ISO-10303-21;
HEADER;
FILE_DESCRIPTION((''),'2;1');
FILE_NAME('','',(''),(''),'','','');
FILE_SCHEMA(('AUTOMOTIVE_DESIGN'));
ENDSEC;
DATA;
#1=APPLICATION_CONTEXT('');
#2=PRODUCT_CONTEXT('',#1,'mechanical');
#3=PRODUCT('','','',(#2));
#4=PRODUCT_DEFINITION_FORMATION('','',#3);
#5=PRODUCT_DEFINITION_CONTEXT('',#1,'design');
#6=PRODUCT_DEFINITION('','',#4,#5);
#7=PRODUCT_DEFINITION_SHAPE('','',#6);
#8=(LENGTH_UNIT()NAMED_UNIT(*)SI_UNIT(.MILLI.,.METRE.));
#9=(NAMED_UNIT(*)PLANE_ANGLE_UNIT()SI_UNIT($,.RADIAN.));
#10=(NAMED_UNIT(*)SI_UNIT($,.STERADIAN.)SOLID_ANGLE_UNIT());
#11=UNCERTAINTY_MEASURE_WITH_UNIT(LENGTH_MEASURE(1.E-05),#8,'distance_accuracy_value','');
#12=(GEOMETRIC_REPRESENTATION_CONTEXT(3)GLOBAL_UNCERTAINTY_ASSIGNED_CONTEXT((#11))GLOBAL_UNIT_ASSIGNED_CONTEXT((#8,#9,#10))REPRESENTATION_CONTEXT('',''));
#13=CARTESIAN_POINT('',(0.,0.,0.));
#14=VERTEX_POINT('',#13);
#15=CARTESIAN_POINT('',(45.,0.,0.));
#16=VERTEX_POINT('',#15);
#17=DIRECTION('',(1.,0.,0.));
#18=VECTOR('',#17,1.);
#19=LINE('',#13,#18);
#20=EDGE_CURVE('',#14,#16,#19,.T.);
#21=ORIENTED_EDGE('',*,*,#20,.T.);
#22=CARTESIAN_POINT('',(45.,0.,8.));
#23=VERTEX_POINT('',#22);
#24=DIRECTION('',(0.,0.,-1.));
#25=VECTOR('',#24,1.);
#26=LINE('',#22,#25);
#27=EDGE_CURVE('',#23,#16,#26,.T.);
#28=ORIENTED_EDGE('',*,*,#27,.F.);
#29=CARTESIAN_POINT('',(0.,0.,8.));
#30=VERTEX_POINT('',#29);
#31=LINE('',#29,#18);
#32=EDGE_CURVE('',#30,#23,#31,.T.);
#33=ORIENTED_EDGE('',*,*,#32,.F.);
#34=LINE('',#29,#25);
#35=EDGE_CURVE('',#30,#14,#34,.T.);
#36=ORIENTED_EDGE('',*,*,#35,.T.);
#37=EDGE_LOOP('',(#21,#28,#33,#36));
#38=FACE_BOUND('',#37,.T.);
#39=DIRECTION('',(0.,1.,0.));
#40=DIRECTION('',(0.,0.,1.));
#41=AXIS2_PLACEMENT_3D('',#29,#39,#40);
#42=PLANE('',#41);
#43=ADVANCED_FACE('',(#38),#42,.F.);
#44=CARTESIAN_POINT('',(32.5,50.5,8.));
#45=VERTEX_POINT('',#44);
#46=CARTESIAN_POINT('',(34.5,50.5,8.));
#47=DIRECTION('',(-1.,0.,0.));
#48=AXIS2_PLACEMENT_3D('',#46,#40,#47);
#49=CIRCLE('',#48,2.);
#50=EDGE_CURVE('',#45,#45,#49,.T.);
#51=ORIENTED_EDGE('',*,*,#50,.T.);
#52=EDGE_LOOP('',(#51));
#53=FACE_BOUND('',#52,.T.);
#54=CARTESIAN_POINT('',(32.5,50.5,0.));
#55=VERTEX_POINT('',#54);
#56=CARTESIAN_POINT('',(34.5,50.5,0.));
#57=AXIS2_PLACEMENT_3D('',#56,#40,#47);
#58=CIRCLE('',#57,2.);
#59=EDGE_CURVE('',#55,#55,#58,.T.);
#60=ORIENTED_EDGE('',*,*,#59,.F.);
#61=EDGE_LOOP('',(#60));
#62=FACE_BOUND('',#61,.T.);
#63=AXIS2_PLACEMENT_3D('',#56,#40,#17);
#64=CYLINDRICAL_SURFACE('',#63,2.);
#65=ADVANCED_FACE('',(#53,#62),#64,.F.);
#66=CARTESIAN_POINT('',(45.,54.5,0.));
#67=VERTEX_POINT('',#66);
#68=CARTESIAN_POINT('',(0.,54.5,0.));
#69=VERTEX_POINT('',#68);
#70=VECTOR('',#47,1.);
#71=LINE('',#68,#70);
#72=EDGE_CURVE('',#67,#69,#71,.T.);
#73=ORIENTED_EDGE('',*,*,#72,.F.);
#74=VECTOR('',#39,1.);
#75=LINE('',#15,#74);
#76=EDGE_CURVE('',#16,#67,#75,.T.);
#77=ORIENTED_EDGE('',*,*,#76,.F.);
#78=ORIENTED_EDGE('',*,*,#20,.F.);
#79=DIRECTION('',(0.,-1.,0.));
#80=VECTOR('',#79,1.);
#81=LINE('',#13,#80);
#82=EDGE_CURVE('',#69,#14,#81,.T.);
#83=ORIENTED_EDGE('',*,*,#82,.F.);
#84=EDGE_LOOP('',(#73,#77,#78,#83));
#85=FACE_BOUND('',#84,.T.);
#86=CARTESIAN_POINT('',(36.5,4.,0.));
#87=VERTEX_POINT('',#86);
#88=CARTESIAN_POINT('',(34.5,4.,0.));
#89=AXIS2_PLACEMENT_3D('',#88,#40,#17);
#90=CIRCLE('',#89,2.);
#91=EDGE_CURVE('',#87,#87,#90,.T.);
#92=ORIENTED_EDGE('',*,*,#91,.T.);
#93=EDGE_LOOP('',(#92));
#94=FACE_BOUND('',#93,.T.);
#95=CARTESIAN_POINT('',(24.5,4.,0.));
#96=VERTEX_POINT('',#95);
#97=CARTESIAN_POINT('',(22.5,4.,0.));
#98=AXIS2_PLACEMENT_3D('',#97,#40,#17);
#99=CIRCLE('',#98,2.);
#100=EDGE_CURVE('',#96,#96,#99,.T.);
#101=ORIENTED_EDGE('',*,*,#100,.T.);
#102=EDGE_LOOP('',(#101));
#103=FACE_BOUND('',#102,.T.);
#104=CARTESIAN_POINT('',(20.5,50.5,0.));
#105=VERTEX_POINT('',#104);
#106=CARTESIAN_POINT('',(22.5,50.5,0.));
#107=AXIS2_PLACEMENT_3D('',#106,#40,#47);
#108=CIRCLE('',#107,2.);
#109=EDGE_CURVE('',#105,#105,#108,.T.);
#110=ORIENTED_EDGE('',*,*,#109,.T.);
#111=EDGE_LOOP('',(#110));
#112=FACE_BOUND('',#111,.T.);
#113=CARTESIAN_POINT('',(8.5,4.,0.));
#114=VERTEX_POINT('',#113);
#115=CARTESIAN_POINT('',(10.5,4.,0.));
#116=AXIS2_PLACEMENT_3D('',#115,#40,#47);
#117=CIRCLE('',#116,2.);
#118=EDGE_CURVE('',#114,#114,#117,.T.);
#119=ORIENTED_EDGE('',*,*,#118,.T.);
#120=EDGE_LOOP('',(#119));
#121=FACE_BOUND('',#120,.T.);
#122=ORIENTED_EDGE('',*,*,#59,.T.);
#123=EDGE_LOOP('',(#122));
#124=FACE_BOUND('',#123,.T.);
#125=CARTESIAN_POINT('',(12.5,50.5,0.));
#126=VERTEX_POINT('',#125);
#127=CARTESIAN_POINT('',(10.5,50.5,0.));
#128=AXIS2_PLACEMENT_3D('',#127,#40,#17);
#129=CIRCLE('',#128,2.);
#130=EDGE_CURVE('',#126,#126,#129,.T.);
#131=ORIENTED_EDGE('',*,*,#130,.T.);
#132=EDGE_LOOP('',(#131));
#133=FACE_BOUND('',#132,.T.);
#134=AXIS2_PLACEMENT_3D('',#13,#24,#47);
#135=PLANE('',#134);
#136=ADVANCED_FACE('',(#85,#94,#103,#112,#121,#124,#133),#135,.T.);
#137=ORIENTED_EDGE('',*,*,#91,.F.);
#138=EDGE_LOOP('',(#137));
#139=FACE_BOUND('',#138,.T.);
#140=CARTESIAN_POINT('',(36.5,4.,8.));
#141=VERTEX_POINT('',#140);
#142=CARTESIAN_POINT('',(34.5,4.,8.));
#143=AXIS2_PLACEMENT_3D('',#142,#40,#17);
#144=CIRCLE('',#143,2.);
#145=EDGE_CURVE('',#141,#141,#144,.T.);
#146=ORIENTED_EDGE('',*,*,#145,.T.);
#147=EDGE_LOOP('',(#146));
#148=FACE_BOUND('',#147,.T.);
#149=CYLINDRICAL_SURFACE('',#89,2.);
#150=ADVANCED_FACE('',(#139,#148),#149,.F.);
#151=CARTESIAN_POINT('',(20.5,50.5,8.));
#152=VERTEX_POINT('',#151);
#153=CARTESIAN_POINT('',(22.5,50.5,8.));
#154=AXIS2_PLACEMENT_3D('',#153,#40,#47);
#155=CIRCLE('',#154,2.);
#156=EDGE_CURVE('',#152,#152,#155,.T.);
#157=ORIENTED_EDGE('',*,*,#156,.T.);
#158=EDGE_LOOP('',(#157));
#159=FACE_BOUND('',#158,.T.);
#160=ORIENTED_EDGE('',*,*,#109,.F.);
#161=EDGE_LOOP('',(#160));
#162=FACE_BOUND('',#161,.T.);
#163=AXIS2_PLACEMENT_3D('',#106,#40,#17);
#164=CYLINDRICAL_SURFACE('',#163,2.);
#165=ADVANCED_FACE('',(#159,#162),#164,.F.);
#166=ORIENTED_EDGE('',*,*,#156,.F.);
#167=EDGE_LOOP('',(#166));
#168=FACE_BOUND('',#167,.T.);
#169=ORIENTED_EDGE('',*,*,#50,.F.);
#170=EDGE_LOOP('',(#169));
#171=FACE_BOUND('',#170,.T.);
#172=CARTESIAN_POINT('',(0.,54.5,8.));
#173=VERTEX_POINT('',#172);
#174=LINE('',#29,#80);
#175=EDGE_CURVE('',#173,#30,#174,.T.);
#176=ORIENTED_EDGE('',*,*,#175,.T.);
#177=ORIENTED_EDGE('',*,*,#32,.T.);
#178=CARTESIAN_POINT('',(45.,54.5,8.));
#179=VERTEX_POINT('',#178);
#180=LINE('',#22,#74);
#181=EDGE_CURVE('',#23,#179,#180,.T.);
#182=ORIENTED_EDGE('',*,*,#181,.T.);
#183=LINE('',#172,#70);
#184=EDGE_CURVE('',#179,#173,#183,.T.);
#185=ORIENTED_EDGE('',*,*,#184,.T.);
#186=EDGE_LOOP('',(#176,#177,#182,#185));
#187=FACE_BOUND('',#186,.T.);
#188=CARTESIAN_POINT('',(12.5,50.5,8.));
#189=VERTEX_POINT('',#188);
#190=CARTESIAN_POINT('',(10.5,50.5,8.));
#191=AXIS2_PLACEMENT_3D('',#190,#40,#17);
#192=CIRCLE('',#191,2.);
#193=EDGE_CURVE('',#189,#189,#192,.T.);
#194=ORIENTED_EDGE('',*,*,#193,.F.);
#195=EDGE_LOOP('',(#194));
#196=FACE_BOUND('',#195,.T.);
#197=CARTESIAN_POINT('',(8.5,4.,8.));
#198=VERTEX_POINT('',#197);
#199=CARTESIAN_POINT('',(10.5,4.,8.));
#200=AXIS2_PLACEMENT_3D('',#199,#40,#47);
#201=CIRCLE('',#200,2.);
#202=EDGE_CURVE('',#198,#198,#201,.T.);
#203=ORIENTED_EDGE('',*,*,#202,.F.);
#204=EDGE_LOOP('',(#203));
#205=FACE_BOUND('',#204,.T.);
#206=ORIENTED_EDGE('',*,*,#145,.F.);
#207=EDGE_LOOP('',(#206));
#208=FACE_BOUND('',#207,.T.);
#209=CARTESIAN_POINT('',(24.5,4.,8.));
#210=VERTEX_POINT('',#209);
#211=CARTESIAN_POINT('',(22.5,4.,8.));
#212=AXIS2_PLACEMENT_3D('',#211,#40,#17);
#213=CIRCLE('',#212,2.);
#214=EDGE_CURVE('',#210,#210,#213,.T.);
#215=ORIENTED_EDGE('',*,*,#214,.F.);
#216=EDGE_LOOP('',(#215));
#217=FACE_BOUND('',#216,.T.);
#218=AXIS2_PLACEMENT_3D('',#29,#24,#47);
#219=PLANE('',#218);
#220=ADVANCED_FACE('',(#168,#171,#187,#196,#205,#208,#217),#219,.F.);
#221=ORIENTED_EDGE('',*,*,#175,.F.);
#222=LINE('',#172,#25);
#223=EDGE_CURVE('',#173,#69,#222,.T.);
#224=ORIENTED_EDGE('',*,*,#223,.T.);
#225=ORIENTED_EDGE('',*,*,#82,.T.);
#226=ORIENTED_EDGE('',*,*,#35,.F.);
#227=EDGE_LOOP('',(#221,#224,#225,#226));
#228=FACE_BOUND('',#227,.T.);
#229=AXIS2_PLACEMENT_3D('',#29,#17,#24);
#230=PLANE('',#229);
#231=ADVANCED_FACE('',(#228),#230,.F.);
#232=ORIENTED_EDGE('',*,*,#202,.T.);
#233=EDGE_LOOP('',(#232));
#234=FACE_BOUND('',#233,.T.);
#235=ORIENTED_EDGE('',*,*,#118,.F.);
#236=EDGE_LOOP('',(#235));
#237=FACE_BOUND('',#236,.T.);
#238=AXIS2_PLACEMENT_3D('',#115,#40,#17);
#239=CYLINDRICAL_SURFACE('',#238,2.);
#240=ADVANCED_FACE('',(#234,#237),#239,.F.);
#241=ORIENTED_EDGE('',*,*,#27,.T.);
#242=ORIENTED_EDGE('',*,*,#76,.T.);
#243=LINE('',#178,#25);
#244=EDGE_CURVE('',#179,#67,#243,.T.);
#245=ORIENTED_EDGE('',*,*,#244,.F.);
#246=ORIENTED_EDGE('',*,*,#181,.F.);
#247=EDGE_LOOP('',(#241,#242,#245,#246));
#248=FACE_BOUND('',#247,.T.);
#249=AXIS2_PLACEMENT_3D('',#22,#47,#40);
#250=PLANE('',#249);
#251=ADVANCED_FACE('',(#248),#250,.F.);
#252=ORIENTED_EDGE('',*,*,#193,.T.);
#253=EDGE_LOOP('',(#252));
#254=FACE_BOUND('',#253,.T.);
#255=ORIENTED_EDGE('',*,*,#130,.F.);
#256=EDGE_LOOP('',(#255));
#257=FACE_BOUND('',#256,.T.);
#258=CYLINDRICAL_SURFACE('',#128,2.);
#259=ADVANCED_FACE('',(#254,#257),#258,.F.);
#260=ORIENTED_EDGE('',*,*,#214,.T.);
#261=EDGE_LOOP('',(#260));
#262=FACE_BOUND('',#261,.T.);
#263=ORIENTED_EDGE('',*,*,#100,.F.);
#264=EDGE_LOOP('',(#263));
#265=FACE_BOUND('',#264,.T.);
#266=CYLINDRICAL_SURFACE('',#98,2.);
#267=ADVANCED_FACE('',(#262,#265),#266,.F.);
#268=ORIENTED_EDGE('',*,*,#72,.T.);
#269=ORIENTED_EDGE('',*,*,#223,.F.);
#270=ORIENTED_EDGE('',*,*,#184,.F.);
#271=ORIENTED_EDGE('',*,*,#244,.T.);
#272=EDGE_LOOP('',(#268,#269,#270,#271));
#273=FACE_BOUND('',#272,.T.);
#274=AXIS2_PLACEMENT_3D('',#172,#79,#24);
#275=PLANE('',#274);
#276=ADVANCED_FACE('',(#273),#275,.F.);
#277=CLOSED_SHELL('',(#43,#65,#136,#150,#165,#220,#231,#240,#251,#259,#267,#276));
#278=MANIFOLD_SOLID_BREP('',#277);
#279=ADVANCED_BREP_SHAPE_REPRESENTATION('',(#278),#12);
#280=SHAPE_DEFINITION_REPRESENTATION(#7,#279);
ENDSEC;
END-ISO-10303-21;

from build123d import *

# Parameters (mm, degrees)
ESQUISSE1_W             = 45
ESQUISSE1_H             = 54.5
BOSS_EXTRU_1_DEPTH      = 8
ESQUISSE2_R             = 2
ENL_V_MAT_EXTRU_1_DEPTH = 8


with BuildPart() as part:
    # Esquisse1 → Boss.-Extru.1 (new body)
    with BuildSketch(Plane.XY):
        with Locations((22.5, 27.25)):
            Rectangle(ESQUISSE1_W, ESQUISSE1_H)
    extrude(amount=BOSS_EXTRU_1_DEPTH)

    # Esquisse2 → Enlèv. mat.-Extru.1 (cut)
    with BuildSketch(Plane.XY.offset(8)):
        with Locations(Location((10.5, 4, 0), (0, 0, 180))):
            Circle(ESQUISSE2_R)
        with Locations((34.5, 4)):
            Circle(ESQUISSE2_R)
        with Locations((22.5, 4)):
            Circle(ESQUISSE2_R)
        with Locations(Location((22.5, 50.5, 0), (0, 0, 180))):
            Circle(ESQUISSE2_R)
        with Locations(Location((34.5, 50.5, 0), (0, 0, 180))):
            Circle(ESQUISSE2_R)
        with Locations((10.5, 50.5)):
            Circle(ESQUISSE2_R)
    extrude(amount=-ENL_V_MAT_EXTRU_1_DEPTH, mode=Mode.SUBTRACT)


solid = part.part
